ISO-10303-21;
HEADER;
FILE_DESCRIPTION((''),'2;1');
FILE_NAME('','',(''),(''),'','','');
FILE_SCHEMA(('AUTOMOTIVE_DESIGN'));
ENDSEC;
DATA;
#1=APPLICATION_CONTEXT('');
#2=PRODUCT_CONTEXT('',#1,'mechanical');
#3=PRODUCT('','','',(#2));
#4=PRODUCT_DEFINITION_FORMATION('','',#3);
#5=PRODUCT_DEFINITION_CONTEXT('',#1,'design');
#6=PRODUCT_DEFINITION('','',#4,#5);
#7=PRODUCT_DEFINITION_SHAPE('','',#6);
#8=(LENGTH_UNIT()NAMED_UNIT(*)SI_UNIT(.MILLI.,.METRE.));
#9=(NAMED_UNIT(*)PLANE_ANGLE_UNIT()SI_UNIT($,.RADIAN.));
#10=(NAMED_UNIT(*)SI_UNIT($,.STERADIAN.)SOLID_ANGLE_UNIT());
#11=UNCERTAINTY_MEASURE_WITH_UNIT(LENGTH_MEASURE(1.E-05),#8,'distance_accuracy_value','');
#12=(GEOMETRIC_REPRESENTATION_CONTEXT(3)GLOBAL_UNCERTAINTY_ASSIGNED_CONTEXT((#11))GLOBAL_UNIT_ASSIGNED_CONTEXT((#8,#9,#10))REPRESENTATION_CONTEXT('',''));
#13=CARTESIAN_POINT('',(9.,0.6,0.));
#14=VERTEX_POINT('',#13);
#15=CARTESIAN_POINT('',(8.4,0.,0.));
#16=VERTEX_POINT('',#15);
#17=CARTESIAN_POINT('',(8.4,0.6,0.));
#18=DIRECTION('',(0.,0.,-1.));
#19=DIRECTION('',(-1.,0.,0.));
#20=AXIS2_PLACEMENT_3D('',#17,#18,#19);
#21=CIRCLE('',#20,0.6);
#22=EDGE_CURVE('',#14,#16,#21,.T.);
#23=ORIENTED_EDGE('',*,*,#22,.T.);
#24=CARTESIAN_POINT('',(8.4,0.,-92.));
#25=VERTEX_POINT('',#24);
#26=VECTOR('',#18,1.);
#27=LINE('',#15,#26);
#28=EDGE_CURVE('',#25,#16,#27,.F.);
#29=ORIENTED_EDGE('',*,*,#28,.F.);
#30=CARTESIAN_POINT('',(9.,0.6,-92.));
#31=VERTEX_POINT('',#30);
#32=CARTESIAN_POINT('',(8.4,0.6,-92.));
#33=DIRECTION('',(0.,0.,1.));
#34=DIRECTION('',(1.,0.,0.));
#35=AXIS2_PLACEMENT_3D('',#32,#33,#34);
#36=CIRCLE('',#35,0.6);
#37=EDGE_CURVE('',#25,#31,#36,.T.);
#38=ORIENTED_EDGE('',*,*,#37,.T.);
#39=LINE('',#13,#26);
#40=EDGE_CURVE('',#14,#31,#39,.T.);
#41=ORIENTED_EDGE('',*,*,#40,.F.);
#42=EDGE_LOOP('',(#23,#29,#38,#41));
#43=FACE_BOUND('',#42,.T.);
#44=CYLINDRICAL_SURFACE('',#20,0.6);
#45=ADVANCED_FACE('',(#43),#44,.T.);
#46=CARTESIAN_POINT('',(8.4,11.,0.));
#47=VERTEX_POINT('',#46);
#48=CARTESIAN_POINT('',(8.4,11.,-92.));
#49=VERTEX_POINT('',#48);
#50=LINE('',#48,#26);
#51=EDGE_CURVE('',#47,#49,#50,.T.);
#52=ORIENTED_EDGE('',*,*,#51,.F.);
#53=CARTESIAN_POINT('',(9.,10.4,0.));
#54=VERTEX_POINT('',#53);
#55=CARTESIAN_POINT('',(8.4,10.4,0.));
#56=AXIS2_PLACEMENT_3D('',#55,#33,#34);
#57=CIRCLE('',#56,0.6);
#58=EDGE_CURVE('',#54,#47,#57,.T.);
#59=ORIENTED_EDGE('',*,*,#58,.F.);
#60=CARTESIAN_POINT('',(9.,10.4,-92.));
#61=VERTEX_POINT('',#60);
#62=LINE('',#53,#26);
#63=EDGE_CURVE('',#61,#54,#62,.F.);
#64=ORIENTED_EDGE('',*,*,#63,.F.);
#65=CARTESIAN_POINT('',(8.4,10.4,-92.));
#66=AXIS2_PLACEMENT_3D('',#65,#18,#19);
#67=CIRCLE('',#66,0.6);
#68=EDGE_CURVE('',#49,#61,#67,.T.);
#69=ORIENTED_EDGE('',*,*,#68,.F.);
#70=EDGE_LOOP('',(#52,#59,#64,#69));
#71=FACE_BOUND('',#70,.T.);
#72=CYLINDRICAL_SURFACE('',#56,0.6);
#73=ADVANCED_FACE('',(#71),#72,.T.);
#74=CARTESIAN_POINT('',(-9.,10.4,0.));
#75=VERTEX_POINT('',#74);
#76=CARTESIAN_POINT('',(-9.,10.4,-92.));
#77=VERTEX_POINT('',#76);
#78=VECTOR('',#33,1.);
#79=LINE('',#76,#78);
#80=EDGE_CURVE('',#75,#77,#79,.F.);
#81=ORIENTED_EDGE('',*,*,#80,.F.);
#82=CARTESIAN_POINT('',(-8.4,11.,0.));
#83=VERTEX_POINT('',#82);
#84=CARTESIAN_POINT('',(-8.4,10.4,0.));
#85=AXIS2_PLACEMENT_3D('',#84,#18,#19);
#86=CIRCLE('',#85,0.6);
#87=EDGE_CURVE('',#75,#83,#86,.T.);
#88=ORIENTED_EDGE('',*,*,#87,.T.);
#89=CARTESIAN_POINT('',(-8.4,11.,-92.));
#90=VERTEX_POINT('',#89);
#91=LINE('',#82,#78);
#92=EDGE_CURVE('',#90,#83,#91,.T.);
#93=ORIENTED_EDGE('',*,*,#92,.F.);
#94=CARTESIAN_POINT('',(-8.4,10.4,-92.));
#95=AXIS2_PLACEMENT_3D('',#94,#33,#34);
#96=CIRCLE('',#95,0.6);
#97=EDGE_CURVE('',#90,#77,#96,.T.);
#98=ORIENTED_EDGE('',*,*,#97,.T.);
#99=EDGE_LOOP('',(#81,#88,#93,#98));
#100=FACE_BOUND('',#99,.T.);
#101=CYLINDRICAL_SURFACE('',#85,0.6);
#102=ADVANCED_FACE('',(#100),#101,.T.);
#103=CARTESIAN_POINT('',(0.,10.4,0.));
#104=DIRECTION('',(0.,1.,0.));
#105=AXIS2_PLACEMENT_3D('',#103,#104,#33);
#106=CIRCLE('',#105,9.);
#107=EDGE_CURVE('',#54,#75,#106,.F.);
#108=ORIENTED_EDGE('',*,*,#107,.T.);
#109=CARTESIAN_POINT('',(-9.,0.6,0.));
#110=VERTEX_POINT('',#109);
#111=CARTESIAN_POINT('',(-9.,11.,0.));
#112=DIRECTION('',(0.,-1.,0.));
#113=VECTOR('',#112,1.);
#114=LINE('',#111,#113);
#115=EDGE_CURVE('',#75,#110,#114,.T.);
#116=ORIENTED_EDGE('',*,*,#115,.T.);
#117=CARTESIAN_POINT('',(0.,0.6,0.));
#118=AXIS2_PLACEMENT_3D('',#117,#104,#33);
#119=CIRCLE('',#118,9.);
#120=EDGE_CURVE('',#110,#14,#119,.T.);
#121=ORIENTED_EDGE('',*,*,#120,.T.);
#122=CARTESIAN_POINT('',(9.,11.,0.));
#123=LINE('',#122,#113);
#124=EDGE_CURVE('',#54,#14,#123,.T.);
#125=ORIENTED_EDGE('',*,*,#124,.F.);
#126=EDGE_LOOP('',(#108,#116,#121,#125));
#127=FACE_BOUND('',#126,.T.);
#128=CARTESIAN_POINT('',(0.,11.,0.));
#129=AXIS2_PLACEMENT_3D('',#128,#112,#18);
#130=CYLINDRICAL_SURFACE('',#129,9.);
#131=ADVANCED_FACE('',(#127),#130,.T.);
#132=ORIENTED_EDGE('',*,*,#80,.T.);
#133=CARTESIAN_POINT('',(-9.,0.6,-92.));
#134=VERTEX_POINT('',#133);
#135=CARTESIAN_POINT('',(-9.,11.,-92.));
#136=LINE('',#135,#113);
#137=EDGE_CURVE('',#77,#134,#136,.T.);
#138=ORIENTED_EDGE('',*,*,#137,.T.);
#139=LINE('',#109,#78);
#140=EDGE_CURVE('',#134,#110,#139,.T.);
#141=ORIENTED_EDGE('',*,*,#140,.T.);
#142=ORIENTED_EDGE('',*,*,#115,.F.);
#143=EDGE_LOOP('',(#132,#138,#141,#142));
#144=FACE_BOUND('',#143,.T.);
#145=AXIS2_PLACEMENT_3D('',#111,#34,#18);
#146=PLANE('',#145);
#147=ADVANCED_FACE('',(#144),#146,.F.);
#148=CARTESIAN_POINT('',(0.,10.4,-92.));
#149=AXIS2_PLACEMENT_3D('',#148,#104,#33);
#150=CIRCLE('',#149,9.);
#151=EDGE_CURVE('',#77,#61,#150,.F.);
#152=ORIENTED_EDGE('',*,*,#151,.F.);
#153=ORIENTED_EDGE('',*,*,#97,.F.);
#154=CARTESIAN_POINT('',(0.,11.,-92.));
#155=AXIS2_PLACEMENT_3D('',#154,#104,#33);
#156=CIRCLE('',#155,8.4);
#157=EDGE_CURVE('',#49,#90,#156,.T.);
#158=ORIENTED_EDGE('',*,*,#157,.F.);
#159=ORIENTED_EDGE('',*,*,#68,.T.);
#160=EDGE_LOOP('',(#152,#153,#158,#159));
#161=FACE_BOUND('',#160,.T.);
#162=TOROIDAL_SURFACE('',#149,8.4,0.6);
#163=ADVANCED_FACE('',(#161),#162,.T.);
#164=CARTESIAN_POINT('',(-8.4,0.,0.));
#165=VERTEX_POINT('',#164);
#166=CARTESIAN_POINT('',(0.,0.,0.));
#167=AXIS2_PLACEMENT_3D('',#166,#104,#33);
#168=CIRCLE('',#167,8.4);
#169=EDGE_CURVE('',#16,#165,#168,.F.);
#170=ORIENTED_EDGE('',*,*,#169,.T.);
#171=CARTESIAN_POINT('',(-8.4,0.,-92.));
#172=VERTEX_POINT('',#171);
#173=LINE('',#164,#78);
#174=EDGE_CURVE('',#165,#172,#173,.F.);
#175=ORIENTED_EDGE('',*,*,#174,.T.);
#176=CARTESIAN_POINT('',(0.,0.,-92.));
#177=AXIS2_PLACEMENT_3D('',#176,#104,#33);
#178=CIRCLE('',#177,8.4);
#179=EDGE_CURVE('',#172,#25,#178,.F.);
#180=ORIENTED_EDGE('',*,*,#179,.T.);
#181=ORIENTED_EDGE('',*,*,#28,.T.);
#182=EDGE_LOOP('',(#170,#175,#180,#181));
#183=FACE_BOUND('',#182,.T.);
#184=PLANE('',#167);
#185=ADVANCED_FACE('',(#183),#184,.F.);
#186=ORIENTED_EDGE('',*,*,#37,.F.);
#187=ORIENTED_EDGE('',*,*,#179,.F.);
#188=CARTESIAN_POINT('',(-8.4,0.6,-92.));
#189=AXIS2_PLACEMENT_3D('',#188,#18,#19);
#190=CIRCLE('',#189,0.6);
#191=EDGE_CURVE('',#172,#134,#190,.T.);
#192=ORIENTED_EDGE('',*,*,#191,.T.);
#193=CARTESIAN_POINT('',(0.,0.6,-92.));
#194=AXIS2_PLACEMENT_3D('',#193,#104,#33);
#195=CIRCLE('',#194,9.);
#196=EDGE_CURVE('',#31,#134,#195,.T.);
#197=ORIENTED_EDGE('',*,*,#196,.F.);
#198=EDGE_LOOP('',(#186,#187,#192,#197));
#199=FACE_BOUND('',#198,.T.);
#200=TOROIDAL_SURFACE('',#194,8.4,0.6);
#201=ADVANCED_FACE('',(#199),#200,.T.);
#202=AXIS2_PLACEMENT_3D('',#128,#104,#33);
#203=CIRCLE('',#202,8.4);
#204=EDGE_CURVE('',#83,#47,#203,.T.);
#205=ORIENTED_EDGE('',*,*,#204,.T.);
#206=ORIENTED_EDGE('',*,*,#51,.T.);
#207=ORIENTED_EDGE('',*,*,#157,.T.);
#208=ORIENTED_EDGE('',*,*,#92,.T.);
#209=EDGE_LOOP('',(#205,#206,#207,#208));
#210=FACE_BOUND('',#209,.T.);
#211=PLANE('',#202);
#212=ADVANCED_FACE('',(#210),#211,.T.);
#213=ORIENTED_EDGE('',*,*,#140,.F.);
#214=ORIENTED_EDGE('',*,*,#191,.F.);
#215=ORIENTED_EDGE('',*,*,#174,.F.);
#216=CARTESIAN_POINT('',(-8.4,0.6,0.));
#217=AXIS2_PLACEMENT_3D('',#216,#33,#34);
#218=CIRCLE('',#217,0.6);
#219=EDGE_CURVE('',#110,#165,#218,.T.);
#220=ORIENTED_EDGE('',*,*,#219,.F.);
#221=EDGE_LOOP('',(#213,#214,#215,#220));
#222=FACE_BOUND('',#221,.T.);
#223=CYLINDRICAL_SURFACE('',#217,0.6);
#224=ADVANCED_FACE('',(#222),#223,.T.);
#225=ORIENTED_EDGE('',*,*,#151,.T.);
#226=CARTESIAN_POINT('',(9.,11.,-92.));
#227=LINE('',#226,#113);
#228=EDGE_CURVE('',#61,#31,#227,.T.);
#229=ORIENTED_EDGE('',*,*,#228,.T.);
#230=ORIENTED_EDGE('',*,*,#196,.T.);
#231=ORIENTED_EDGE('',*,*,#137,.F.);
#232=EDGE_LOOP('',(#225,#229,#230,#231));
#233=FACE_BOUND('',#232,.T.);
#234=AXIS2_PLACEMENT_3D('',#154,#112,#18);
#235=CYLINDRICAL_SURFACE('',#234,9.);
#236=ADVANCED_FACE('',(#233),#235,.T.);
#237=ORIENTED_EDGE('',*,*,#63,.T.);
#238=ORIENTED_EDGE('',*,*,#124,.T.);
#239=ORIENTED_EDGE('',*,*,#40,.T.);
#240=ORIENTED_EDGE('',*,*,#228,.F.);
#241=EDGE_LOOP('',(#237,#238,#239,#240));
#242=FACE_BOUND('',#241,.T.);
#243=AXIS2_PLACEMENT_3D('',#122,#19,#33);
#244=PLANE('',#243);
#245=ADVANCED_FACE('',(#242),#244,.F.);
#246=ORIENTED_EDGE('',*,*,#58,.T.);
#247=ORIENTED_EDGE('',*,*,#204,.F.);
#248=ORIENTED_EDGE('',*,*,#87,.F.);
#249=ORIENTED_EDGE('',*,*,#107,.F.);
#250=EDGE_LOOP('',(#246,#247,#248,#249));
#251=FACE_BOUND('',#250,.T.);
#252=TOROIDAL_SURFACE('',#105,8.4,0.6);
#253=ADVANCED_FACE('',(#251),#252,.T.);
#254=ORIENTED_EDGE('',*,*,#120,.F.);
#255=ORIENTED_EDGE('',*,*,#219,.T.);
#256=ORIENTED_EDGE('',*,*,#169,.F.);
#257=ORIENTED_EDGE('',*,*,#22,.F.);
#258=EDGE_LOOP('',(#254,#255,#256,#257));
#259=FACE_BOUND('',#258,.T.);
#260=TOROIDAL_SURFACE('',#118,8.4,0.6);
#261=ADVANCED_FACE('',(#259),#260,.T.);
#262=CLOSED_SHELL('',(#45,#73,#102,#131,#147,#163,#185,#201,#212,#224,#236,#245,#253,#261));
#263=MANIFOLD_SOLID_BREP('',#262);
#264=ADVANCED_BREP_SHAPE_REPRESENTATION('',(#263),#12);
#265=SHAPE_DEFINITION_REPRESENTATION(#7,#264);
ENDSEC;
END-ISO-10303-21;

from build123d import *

# Parameters (mm, degrees)
EXTRUDE_1_DEPTH = 11
FILLET_1_R      = 0.6


with BuildPart() as part:
    # Эскиз1 → Бобышка-Вытянуть1 (new body)
    with BuildSketch(Plane(origin=(0, 0, 0), x_dir=(1, 0, 0), z_dir=(0, 1, 0))):
        with BuildLine():
            Line((-9, 0), (-9, 92))
            ThreePointArc((-9, 92), (0, 101), (9, 92))
            Line((9, 92), (9, 0))
            ThreePointArc((9, 0), (0, -9), (-9, 0))
        make_face()
    extrude(amount=EXTRUDE_1_DEPTH)

    # Скругление1
    fillet_1_edges = [part.edges().sort_by_distance(p)[0] for p in [
        (0, 11, -101),
        (-9, 11, -46),
        (0, 11, 9),
        (-9, 0, -46),
        (0, 0, -101),
        (9, 0, -46),
        (0, 0, 9),
        (9, 11, -46),
    ]]
    fillet(fillet_1_edges, radius=FILLET_1_R)


solid = part.part
